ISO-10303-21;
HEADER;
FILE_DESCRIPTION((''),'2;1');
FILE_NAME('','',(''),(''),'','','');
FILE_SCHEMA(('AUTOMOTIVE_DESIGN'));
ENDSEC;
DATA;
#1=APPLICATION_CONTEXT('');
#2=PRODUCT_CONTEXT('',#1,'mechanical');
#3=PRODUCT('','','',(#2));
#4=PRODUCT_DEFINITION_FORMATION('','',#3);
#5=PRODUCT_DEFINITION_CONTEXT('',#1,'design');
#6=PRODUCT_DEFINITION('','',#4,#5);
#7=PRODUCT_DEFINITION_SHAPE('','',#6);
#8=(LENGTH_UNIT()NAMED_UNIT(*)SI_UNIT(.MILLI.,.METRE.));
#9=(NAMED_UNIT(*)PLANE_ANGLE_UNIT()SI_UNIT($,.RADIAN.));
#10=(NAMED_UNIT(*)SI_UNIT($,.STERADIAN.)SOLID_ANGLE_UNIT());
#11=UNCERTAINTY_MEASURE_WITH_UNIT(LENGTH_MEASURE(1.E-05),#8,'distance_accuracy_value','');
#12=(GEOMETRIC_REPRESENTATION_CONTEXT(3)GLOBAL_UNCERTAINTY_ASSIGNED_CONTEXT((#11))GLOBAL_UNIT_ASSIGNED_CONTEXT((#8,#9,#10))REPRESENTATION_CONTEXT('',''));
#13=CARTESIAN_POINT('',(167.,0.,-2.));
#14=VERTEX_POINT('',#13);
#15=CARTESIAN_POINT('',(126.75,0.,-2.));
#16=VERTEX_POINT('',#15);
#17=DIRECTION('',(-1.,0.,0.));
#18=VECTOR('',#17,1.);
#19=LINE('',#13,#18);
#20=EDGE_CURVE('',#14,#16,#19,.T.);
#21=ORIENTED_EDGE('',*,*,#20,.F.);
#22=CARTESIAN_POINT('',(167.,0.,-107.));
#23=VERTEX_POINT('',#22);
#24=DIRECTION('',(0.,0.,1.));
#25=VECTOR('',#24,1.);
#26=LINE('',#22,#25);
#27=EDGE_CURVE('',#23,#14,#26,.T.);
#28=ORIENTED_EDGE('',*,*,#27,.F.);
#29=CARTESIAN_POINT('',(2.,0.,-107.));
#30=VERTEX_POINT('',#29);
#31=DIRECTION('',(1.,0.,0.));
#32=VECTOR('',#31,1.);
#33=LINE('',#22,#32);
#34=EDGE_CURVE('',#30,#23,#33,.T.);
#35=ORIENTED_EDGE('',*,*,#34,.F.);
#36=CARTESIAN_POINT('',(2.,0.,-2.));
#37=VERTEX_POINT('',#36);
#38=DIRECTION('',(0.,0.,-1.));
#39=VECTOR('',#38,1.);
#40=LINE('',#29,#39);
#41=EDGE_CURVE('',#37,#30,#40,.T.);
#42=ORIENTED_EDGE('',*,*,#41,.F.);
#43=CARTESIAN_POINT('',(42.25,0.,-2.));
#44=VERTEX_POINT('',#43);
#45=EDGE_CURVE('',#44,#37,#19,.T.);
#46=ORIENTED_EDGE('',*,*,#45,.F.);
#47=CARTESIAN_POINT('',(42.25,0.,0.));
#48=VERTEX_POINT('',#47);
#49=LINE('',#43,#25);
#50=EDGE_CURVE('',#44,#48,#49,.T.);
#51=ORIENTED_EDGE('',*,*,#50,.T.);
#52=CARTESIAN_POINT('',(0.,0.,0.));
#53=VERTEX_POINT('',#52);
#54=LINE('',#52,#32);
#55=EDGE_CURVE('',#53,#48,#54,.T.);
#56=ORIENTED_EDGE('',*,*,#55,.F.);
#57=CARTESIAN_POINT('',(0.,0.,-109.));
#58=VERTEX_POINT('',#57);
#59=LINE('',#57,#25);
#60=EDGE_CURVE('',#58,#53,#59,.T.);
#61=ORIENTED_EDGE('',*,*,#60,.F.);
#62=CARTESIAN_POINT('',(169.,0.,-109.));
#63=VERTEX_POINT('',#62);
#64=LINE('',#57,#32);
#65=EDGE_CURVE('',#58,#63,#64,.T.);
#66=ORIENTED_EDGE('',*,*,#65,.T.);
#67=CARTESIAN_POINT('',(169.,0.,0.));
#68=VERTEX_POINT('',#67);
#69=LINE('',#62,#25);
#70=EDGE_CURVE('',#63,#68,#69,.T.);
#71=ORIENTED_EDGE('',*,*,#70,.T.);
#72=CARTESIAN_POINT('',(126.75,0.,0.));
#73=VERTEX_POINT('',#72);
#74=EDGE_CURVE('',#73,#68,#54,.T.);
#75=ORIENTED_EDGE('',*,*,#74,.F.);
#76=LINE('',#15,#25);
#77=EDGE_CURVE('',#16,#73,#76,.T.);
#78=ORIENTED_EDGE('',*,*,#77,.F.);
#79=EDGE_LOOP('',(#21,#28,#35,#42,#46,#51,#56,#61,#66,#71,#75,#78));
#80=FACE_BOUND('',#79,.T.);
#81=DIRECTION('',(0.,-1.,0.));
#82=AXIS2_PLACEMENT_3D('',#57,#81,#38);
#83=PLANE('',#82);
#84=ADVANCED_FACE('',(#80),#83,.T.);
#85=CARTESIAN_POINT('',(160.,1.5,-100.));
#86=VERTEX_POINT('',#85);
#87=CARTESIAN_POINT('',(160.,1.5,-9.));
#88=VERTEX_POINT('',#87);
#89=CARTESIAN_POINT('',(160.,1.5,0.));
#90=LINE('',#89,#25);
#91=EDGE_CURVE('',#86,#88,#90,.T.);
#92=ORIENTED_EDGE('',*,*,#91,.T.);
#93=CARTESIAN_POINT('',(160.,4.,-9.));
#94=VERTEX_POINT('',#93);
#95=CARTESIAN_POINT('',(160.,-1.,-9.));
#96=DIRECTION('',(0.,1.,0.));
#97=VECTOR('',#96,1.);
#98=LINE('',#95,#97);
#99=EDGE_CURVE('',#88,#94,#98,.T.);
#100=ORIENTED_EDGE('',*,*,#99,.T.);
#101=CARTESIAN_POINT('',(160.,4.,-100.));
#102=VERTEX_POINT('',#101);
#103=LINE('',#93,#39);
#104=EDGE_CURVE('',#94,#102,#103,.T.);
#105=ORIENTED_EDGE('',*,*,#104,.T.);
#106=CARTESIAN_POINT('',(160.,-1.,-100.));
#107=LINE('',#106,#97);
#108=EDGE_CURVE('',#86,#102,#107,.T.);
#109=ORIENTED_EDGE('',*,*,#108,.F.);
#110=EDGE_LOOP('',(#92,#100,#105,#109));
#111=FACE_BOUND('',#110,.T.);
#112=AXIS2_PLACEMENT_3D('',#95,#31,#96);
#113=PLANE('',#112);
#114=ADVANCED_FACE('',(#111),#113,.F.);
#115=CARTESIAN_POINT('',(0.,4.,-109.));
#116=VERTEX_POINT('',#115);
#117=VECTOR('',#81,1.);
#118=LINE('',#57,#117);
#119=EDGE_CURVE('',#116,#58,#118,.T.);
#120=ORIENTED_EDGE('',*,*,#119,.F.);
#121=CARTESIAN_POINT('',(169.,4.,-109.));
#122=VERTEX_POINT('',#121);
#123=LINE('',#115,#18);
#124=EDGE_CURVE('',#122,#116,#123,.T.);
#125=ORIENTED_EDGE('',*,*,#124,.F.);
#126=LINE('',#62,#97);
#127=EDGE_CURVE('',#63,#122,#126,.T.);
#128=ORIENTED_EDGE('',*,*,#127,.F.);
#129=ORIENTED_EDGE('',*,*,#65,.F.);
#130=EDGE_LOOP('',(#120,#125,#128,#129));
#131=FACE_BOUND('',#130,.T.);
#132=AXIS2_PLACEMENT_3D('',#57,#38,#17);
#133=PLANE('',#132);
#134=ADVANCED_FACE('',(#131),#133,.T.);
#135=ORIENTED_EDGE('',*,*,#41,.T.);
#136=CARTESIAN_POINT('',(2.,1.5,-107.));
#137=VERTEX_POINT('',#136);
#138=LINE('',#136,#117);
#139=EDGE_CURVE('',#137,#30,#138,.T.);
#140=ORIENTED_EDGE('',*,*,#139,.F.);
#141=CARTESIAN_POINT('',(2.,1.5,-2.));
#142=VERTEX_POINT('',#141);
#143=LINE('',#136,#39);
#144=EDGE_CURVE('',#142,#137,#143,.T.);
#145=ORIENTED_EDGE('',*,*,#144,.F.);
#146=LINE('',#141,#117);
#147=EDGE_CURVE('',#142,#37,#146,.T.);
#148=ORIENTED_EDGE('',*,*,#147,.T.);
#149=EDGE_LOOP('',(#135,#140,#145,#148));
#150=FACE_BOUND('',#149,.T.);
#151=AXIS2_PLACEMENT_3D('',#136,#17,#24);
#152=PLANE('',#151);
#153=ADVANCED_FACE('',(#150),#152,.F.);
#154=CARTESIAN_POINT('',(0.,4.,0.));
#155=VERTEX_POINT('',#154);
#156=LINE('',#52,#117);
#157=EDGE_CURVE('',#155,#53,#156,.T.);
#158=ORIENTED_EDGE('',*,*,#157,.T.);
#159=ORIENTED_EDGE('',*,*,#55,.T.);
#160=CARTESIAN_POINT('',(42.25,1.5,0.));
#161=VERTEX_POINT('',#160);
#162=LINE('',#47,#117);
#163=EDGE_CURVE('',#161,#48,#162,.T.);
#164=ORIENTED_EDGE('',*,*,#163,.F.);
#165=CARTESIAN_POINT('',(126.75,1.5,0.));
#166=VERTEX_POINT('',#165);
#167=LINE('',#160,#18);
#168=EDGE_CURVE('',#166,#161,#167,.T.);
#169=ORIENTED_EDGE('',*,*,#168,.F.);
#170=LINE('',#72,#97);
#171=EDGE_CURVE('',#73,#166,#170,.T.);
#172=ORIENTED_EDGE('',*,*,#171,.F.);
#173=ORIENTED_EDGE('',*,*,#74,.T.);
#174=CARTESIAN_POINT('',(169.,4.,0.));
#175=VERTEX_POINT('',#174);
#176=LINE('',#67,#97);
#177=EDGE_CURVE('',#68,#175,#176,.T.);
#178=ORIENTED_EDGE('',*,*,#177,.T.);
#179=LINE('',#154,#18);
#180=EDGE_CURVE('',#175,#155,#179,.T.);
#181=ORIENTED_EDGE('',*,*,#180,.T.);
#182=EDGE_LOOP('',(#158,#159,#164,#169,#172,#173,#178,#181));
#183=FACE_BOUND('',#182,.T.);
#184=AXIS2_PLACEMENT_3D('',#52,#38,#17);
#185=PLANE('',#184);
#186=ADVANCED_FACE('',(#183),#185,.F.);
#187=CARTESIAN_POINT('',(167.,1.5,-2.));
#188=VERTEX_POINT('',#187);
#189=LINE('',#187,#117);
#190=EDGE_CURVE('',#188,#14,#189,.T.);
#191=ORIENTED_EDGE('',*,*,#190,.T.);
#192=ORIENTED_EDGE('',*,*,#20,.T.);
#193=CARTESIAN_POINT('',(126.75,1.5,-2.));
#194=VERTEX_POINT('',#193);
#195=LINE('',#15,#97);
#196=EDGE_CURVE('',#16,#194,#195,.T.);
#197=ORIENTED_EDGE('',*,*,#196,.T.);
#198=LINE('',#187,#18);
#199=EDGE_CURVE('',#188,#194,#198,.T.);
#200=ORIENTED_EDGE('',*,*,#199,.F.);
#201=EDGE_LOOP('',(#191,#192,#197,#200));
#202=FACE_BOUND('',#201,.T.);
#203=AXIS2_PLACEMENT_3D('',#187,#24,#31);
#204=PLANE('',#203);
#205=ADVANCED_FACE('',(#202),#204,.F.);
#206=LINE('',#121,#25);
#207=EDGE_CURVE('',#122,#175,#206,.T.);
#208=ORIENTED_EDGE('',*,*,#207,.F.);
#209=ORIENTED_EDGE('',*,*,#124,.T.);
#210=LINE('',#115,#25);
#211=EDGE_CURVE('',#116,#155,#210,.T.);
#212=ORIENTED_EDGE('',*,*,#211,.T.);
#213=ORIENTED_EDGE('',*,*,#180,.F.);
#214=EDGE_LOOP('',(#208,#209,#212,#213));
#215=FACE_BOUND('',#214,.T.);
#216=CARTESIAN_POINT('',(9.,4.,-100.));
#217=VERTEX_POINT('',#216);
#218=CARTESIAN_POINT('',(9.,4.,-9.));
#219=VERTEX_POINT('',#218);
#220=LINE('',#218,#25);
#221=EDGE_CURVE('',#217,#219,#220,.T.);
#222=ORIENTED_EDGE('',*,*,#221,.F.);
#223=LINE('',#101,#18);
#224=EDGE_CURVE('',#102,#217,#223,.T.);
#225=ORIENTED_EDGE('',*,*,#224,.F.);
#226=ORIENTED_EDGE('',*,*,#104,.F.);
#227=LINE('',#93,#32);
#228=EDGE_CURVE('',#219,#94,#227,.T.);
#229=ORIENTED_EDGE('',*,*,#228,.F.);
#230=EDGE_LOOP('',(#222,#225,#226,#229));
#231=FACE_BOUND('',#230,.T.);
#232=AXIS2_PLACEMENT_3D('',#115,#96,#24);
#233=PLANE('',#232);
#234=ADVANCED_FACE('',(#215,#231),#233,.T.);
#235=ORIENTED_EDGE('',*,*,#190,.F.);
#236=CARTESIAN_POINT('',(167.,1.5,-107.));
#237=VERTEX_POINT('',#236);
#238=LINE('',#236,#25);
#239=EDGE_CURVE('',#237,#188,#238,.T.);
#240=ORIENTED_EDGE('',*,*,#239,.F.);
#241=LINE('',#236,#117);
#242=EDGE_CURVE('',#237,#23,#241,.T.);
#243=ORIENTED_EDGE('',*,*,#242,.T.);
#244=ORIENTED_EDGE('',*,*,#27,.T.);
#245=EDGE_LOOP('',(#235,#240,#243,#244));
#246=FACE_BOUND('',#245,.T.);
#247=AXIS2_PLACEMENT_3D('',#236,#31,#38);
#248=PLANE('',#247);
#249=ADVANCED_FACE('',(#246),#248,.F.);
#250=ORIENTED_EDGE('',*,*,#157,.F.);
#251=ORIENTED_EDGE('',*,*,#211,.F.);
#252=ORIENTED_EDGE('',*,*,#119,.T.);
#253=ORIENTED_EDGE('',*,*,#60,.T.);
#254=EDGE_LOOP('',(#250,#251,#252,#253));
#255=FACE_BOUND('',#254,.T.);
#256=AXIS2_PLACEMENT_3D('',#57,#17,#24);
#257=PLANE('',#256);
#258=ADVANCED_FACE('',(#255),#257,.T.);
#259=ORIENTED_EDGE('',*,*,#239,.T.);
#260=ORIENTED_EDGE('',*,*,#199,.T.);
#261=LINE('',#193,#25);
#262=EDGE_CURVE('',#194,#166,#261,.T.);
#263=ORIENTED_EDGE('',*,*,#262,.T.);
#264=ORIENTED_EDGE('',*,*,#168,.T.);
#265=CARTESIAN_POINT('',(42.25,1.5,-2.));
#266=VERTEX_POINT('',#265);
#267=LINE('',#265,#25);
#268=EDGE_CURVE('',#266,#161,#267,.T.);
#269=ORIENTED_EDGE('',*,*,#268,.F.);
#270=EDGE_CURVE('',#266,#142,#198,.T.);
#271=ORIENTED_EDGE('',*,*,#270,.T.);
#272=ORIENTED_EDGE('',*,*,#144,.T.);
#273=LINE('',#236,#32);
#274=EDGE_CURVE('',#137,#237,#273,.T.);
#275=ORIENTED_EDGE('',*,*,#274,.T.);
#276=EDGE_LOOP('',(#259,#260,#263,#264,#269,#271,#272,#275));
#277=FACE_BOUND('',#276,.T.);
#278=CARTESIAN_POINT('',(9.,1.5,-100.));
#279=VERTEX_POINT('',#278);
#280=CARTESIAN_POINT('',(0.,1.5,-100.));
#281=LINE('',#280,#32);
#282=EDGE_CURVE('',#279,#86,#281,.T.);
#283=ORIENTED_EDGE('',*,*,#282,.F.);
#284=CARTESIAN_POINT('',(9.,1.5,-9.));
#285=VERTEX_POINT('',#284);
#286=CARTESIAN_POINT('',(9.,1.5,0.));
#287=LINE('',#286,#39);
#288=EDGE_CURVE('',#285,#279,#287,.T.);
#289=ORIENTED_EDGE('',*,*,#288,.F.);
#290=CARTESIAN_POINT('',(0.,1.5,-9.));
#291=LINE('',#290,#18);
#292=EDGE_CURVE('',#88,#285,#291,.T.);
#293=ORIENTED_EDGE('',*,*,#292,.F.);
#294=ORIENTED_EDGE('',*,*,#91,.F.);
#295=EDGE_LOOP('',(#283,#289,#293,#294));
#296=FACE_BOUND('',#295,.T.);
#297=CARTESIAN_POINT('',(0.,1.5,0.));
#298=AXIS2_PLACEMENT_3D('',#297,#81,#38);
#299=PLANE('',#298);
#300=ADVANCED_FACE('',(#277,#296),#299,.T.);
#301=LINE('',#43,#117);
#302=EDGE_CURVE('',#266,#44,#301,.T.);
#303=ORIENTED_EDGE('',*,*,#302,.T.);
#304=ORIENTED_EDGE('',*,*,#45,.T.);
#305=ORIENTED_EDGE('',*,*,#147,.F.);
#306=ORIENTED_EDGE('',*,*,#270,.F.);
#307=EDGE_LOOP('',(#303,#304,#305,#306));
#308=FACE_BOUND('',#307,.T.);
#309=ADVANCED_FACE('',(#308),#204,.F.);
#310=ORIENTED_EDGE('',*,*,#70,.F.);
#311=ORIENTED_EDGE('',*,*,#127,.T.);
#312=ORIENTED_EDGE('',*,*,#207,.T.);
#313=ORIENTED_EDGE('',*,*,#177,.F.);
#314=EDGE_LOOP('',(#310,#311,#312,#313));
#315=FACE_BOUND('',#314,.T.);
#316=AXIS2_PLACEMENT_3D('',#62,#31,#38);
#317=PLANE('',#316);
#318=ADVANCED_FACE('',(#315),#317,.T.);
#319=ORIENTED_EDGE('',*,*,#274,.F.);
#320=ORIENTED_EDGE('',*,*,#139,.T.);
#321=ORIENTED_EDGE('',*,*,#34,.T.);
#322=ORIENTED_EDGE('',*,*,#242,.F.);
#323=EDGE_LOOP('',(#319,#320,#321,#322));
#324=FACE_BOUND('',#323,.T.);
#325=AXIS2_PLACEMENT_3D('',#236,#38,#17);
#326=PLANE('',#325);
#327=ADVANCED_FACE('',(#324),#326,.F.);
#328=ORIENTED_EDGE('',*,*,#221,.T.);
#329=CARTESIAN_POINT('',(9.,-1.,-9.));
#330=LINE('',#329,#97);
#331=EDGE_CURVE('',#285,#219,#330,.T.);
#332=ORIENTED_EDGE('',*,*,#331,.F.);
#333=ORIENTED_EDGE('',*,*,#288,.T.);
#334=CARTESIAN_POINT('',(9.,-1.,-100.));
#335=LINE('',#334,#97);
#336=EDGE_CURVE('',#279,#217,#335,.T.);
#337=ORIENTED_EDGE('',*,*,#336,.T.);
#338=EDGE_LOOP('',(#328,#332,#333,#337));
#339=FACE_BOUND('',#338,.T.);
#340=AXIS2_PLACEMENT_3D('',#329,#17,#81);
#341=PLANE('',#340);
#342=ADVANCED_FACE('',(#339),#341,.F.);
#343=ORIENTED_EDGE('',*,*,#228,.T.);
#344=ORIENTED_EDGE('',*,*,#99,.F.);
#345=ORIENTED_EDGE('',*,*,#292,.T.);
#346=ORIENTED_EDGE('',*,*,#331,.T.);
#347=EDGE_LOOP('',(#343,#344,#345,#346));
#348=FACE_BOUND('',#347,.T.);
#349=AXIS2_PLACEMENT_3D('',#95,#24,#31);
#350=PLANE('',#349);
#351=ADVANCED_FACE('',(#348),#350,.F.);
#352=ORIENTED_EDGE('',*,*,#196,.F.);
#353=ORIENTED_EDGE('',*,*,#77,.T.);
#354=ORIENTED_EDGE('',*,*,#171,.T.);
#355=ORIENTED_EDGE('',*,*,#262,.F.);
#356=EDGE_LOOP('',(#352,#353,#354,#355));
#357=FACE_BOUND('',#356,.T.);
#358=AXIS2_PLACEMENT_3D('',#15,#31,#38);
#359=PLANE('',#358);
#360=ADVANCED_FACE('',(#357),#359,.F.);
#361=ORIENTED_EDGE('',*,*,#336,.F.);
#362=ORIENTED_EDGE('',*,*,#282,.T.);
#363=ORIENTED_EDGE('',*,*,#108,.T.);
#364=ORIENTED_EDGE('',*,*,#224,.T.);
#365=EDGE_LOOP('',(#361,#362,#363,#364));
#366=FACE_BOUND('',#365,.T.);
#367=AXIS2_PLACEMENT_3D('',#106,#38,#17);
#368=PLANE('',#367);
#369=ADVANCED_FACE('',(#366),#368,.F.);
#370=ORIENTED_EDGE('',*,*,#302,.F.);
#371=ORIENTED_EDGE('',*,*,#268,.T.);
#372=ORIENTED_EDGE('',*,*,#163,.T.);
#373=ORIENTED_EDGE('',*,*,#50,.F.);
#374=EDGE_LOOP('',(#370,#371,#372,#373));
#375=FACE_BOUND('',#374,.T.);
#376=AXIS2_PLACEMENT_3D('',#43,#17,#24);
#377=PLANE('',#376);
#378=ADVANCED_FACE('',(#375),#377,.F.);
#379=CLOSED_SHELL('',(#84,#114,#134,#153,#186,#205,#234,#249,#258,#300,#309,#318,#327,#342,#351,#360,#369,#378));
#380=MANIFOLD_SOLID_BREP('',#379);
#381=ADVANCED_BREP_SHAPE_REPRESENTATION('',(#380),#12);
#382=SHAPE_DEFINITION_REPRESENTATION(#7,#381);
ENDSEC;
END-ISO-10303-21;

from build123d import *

# Parameters (mm, degrees)
SKETCH1_W           = 169
SKETCH1_H           = 4
BOSS_EXTRUDE1_DEPTH = 109
SKETCH3_W           = 165
SKETCH3_H           = 105
CUT_EXTRUDE1_DEPTH  = 1.5
SKETCH4_W           = 151
SKETCH4_H           = 91
CUT_EXTRUDE2_DEPTH  = 5
SKETCH5_W           = 84.5
SKETCH5_H           = 1.5
CUT_EXTRUDE3_DEPTH  = 2


with BuildPart() as part:
    # Sketch1 → Boss-Extrude1 (new body)
    with BuildSketch(Plane.XY):
        with Locations((84.5, 2)):
            Rectangle(SKETCH1_W, SKETCH1_H)
    extrude(amount=-BOSS_EXTRUDE1_DEPTH)

    # Sketch3 → Cut-Extrude1 (cut)
    with BuildSketch(Plane.XZ):
        with Locations((84.5, -54.5)):
            Rectangle(SKETCH3_W, SKETCH3_H)
    extrude(amount=-CUT_EXTRUDE1_DEPTH, mode=Mode.SUBTRACT)

    # Sketch4 → Cut-Extrude2 (cut)
    with BuildSketch(Plane(origin=(0, 4, 0), x_dir=(1, 0, 0), z_dir=(0, 1, 0))):
        with Locations((84.5, 54.5)):
            Rectangle(SKETCH4_W, SKETCH4_H)
    extrude(amount=-CUT_EXTRUDE2_DEPTH, mode=Mode.SUBTRACT)

    # Sketch5 → Cut-Extrude3 (cut)
    with BuildSketch(Plane.XY):
        with Locations((84.5, 0.75)):
            Rectangle(SKETCH5_W, SKETCH5_H)
    extrude(amount=-CUT_EXTRUDE3_DEPTH, mode=Mode.SUBTRACT)


solid = part.part
